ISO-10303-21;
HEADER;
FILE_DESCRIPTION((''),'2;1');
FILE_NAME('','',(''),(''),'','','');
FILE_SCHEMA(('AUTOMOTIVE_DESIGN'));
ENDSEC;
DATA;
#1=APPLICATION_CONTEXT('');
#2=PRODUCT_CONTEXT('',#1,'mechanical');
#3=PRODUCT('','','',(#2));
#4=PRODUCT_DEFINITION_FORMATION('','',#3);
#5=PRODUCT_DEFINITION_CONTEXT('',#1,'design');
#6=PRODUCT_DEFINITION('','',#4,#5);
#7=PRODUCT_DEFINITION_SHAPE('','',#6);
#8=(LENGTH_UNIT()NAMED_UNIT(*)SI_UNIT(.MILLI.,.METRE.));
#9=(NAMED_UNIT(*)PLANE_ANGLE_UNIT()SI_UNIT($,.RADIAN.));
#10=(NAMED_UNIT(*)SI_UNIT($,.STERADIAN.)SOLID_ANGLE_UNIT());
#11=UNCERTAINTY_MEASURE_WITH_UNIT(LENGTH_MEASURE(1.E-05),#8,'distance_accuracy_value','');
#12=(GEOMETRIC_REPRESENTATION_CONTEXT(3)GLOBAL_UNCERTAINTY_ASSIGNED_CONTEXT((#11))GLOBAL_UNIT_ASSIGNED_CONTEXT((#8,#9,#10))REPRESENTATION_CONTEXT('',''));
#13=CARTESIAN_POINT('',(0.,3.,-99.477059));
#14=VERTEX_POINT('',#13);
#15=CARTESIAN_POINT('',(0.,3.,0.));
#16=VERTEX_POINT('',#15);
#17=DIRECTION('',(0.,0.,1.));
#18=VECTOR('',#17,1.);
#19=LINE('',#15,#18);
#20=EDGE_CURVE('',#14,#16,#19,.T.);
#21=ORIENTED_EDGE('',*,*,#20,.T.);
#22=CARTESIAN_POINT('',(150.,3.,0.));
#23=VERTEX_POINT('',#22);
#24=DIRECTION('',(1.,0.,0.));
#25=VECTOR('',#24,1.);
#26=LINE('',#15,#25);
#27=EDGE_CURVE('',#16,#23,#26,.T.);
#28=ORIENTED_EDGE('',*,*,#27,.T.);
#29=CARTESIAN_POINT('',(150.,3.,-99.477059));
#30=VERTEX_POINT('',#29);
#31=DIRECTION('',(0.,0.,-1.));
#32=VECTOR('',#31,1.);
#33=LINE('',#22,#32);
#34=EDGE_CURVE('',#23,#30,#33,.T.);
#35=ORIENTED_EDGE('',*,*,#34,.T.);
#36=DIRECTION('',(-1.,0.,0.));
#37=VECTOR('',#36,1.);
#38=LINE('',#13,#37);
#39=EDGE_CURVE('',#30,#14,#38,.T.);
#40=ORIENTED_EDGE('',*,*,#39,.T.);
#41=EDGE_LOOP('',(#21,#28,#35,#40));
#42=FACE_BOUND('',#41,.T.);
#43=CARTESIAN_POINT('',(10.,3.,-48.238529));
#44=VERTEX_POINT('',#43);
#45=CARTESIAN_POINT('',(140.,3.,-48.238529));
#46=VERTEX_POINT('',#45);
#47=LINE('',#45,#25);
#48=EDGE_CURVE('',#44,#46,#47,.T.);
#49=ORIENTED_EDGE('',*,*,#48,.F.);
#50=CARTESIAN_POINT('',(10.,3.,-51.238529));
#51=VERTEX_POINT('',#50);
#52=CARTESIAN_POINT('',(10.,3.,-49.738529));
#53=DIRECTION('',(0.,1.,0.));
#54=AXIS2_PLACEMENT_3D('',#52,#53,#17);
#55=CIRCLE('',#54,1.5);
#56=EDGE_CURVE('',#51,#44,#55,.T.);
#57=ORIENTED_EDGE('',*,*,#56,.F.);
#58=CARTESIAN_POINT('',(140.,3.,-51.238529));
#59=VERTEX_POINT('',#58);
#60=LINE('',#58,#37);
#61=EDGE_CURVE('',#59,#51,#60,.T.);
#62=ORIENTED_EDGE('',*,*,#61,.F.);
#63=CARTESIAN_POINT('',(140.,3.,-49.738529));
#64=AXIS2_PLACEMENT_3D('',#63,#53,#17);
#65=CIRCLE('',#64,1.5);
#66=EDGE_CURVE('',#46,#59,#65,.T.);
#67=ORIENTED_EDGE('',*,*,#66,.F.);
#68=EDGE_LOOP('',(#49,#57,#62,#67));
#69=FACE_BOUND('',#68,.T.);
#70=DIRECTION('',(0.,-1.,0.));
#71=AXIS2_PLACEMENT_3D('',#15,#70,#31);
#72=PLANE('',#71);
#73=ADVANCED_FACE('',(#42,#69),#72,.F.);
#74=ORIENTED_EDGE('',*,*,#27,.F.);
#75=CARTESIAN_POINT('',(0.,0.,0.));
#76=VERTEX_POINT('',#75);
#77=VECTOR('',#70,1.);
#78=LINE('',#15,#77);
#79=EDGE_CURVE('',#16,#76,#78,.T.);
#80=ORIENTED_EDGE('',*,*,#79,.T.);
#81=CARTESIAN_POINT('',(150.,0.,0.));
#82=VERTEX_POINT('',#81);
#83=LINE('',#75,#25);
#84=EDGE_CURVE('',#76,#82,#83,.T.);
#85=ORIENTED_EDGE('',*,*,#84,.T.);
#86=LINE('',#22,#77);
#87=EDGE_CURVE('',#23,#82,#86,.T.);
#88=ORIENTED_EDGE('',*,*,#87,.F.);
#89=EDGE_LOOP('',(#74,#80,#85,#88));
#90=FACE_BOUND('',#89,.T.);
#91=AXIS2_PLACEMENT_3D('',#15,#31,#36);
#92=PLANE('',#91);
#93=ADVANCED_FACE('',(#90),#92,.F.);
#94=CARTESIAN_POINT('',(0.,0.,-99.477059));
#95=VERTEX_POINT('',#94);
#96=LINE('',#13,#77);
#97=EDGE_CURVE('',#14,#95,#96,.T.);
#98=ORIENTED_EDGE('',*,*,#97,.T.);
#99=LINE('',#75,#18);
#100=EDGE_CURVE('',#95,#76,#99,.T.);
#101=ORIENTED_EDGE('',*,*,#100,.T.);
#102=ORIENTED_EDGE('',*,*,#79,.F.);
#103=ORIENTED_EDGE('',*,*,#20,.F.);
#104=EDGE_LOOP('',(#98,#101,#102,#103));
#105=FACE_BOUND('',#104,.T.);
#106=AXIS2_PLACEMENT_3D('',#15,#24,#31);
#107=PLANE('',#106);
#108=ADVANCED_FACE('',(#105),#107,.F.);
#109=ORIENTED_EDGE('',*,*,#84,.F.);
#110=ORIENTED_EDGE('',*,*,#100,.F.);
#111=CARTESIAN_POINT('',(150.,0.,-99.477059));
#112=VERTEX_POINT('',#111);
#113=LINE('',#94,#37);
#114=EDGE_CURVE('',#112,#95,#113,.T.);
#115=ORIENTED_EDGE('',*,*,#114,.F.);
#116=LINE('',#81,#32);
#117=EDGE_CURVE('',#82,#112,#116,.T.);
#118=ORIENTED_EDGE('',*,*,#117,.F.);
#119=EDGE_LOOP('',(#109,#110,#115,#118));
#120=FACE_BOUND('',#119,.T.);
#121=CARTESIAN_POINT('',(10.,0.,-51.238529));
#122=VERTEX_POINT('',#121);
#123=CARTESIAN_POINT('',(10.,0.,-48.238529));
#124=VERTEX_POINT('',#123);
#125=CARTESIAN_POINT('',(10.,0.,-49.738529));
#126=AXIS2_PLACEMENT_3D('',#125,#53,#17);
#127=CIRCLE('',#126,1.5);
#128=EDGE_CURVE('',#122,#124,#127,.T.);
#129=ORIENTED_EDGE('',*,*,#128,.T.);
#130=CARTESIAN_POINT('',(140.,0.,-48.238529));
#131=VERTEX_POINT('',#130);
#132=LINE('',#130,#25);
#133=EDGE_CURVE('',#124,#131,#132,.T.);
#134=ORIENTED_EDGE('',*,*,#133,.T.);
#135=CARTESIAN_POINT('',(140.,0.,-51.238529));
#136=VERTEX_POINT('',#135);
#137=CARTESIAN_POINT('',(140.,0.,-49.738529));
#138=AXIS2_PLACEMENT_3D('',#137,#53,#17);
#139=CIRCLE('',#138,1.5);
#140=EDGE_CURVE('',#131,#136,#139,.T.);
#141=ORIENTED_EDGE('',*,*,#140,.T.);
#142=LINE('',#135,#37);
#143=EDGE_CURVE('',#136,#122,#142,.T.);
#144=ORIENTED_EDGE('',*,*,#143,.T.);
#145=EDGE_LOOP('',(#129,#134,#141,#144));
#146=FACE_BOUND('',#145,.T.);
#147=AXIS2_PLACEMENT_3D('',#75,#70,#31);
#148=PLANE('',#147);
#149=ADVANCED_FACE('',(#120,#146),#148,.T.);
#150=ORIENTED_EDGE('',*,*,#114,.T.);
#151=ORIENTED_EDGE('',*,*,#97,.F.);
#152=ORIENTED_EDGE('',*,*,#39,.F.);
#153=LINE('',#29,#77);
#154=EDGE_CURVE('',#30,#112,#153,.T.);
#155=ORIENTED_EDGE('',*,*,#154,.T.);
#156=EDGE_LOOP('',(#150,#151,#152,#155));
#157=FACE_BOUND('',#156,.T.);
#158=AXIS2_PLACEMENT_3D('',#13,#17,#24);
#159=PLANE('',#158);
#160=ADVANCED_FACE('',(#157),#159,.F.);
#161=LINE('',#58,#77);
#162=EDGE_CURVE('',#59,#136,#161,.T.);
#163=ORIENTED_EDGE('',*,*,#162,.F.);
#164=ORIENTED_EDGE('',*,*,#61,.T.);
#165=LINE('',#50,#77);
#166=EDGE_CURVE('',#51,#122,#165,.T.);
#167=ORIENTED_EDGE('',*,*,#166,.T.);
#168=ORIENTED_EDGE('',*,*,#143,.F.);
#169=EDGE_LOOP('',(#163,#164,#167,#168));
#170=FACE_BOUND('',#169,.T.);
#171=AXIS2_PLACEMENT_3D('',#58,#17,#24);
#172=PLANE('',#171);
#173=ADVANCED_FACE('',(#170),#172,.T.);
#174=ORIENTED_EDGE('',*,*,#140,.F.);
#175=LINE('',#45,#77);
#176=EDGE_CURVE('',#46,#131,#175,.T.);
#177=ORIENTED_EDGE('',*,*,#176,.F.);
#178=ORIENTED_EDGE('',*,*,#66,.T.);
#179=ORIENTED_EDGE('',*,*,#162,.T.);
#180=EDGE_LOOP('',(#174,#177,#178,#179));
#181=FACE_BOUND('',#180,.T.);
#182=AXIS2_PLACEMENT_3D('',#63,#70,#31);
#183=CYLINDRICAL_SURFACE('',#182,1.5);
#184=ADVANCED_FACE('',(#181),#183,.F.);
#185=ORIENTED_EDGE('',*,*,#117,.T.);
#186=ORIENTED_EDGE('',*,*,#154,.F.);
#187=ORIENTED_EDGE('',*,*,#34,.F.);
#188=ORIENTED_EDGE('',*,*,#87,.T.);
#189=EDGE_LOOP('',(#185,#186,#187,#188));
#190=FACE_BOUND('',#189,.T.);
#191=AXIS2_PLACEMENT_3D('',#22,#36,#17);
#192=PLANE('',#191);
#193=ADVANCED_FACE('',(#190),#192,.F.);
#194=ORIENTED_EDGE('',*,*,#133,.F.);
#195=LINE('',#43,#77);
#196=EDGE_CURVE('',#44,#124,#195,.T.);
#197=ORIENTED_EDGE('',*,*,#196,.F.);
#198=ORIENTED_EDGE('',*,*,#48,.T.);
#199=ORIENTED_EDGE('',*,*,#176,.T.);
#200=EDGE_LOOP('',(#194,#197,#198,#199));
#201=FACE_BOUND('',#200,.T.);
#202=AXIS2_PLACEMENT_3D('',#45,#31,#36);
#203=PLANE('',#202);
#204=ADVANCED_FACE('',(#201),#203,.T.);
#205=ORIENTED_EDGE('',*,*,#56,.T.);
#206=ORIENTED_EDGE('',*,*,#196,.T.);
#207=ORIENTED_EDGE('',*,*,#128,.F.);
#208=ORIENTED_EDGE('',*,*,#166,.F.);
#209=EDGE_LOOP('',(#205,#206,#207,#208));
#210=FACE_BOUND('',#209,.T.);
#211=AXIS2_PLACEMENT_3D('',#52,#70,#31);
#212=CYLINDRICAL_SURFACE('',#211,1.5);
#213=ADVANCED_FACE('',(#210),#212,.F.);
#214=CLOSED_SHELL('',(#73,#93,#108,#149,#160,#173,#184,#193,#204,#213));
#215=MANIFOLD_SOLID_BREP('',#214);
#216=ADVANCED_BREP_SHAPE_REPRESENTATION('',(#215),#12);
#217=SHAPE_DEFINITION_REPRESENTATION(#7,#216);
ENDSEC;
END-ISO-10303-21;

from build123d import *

# Parameters (mm, degrees)
SKETCH1_W           = 150
SKETCH1_H           = 99.477058683
BOSS_EXTRUDE1_DEPTH = 3


with BuildPart() as part:
    # Sketch1 → Boss-Extrude1 (new body)
    with BuildSketch(Plane(origin=(0, 0, 0), x_dir=(1, 0, 0), z_dir=(0, 1, 0))):
        with Locations((75, 49.738529342)):
            Rectangle(SKETCH1_W, SKETCH1_H)
        with BuildLine():
            Line((140, 48.238529342), (10, 48.238529342))
            ThreePointArc((10, 48.238529342), (8.5, 49.738529342), (10, 51.238529342))
            Line((10, 51.238529342), (140, 51.238529342))
            ThreePointArc((140, 51.238529342), (141.5, 49.738529342), (140, 48.238529342))
        make_face(mode=Mode.SUBTRACT)
    extrude(amount=BOSS_EXTRUDE1_DEPTH)


solid = part.part
